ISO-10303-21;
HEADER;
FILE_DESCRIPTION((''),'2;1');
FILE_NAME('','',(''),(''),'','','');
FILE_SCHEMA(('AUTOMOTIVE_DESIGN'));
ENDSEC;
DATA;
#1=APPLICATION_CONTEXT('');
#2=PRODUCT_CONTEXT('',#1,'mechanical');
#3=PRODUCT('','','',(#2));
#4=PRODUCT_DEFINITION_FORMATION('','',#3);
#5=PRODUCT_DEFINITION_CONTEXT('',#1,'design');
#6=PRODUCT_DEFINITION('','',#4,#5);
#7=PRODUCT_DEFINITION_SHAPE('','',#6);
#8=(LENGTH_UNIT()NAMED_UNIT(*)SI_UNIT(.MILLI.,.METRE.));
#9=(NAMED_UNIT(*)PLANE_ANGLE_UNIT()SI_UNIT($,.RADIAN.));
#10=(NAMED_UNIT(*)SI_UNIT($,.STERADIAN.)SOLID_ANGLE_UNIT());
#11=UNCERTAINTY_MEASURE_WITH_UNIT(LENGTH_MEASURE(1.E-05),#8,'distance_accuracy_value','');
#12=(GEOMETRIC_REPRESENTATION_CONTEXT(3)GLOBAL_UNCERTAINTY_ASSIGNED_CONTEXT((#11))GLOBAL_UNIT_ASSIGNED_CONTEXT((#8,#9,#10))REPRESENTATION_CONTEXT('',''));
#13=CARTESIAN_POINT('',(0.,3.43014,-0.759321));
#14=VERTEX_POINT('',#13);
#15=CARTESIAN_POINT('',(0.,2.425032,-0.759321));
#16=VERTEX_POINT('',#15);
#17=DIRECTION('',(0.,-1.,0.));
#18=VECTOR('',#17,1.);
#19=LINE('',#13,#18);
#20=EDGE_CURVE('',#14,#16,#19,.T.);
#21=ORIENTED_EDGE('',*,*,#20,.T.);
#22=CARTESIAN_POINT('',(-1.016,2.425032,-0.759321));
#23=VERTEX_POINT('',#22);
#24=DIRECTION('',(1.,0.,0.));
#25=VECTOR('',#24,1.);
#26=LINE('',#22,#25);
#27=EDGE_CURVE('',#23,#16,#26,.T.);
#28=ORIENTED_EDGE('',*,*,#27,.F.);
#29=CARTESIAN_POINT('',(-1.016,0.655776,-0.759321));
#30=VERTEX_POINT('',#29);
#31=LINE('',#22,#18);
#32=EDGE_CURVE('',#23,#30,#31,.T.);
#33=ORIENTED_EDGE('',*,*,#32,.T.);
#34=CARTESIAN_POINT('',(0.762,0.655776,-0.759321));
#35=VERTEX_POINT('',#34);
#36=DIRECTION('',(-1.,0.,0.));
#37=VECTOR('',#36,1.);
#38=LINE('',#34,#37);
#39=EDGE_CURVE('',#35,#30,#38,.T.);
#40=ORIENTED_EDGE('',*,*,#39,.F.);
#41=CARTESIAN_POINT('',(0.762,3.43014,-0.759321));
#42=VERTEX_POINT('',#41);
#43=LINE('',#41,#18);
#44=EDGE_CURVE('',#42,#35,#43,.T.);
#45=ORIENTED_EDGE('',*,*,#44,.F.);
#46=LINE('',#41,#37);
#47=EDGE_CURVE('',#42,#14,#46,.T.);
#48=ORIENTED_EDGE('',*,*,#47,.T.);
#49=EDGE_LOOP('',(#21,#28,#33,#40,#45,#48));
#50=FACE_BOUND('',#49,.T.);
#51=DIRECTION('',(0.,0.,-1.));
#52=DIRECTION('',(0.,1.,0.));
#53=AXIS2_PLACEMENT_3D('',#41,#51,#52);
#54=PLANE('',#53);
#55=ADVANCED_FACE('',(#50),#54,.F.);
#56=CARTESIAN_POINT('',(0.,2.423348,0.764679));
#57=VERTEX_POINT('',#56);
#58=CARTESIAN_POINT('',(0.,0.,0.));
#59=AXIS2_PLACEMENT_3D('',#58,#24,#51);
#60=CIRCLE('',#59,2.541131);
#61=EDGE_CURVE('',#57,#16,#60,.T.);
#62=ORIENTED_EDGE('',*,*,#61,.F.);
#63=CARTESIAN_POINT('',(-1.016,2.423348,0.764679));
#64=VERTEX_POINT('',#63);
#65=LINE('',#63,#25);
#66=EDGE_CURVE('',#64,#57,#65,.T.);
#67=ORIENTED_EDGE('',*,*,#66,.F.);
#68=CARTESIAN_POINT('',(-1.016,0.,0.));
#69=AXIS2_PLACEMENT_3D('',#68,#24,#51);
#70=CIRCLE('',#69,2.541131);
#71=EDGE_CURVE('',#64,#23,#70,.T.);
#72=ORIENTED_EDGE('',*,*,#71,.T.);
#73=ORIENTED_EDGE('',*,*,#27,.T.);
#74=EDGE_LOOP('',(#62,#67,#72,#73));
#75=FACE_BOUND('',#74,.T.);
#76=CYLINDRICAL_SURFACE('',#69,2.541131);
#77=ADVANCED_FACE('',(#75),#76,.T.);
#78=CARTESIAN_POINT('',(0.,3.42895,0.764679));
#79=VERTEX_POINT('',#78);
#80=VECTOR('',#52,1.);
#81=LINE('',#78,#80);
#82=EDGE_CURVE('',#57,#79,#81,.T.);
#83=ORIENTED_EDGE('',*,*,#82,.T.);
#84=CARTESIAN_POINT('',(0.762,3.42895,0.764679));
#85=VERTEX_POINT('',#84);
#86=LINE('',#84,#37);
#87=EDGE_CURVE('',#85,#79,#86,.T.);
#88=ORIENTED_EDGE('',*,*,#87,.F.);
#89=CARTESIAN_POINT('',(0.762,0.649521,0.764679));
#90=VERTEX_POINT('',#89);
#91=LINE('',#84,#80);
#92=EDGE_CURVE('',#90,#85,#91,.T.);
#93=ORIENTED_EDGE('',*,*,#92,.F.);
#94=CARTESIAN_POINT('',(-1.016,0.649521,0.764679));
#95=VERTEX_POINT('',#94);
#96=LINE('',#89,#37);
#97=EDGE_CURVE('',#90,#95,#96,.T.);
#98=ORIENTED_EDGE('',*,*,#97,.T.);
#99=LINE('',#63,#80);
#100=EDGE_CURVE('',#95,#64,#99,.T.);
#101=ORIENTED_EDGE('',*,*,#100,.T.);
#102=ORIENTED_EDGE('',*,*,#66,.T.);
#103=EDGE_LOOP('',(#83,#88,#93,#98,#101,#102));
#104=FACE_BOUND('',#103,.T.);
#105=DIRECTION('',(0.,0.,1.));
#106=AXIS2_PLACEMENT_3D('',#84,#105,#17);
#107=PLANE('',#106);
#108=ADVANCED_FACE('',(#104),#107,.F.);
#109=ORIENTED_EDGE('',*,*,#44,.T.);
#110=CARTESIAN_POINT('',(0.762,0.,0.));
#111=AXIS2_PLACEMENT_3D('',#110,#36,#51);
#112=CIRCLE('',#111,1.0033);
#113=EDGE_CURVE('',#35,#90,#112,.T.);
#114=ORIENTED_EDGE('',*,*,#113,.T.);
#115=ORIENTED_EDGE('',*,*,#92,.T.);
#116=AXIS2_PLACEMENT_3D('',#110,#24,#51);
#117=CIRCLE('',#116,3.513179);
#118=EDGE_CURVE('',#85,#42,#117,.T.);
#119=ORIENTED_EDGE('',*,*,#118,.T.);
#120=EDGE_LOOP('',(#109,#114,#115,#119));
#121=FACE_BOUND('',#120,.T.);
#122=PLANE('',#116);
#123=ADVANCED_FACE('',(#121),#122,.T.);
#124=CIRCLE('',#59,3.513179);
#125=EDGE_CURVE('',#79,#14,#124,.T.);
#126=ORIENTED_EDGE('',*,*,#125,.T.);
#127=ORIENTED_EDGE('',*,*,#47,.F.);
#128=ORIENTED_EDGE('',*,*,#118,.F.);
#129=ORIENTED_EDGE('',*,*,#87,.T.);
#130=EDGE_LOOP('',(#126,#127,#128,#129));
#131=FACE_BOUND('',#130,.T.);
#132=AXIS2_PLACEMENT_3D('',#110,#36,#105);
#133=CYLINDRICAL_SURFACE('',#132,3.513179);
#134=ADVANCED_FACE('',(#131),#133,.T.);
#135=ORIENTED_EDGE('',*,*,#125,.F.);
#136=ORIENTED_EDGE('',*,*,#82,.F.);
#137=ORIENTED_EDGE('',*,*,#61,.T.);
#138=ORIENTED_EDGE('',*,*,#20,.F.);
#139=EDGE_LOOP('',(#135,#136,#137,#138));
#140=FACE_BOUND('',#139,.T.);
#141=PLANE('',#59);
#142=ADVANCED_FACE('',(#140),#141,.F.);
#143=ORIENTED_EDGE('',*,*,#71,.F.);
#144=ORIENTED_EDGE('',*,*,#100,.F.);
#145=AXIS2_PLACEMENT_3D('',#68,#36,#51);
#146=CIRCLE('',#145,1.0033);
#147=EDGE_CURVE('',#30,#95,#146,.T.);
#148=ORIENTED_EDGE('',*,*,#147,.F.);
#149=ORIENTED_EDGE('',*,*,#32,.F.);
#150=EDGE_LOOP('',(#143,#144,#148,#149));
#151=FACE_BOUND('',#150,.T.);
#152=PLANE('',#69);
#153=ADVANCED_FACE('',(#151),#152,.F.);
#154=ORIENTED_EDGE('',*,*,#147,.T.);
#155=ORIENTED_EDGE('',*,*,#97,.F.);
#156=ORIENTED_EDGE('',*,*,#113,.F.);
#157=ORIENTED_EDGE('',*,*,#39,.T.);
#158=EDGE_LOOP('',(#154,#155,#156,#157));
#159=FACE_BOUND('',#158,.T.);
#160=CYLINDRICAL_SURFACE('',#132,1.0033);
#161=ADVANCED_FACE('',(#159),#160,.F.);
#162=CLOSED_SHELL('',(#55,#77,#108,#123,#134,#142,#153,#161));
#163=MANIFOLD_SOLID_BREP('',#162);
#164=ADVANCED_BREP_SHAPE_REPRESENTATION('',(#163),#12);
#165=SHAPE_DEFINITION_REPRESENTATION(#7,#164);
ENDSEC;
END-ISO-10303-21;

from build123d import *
from build123d.topology import SkipClean

# Parameters (mm, degrees)
BOSS_EXTRUDE1_DEPTH = 0.762
BOSS_EXTRUDE2_DEPTH = 1.778


with BuildPart() as part:
    # Sketch1 → Boss-Extrude1 (new body)
    with BuildSketch(Plane(origin=(0, 0, 0), x_dir=(0, 0, -1), z_dir=(1, 0, 0))):
        with BuildLine():
            Line((0.759321469, 3.430139815), (0.759321469, 0.655775721))
            ThreePointArc((0.759321469, 0.655775721), (0.004117603, -1.003291551), (-0.764678531, 0.649521081))
            Line((-0.764678531, 0.649521081), (-0.764678531, 3.428949546))
            ThreePointArc((-0.764678531, 3.428949546), (0.00274385, -3.51317815), (0.759321469, 3.430139815))
        make_face()
    extrude(amount=BOSS_EXTRUDE1_DEPTH)

    # Sketch3 → Boss-Extrude2 (add)
    with SkipClean():  # the faces are left unmerged after this step: merging them gives an invalid solid
        with BuildSketch(Plane(origin=(0.762, 0, 0), x_dir=(0, 0, -1), z_dir=(1, 0, 0))):
            with BuildLine():
                Line((-0.764678531, 2.423347628), (-0.764678531, 0.649521081))
                ThreePointArc((-0.764678531, 0.649521081), (0.004117603, -1.003291551), (0.759321469, 0.655775721))
                Line((0.759321469, 0.655775721), (0.759321469, 2.425031523))
                ThreePointArc((0.759321469, 2.425031523), (0.00280774, -2.541129493), (-0.764678531, 2.423347628))
            make_face()
        extrude(amount=-BOSS_EXTRUDE2_DEPTH)


solid = part.part
